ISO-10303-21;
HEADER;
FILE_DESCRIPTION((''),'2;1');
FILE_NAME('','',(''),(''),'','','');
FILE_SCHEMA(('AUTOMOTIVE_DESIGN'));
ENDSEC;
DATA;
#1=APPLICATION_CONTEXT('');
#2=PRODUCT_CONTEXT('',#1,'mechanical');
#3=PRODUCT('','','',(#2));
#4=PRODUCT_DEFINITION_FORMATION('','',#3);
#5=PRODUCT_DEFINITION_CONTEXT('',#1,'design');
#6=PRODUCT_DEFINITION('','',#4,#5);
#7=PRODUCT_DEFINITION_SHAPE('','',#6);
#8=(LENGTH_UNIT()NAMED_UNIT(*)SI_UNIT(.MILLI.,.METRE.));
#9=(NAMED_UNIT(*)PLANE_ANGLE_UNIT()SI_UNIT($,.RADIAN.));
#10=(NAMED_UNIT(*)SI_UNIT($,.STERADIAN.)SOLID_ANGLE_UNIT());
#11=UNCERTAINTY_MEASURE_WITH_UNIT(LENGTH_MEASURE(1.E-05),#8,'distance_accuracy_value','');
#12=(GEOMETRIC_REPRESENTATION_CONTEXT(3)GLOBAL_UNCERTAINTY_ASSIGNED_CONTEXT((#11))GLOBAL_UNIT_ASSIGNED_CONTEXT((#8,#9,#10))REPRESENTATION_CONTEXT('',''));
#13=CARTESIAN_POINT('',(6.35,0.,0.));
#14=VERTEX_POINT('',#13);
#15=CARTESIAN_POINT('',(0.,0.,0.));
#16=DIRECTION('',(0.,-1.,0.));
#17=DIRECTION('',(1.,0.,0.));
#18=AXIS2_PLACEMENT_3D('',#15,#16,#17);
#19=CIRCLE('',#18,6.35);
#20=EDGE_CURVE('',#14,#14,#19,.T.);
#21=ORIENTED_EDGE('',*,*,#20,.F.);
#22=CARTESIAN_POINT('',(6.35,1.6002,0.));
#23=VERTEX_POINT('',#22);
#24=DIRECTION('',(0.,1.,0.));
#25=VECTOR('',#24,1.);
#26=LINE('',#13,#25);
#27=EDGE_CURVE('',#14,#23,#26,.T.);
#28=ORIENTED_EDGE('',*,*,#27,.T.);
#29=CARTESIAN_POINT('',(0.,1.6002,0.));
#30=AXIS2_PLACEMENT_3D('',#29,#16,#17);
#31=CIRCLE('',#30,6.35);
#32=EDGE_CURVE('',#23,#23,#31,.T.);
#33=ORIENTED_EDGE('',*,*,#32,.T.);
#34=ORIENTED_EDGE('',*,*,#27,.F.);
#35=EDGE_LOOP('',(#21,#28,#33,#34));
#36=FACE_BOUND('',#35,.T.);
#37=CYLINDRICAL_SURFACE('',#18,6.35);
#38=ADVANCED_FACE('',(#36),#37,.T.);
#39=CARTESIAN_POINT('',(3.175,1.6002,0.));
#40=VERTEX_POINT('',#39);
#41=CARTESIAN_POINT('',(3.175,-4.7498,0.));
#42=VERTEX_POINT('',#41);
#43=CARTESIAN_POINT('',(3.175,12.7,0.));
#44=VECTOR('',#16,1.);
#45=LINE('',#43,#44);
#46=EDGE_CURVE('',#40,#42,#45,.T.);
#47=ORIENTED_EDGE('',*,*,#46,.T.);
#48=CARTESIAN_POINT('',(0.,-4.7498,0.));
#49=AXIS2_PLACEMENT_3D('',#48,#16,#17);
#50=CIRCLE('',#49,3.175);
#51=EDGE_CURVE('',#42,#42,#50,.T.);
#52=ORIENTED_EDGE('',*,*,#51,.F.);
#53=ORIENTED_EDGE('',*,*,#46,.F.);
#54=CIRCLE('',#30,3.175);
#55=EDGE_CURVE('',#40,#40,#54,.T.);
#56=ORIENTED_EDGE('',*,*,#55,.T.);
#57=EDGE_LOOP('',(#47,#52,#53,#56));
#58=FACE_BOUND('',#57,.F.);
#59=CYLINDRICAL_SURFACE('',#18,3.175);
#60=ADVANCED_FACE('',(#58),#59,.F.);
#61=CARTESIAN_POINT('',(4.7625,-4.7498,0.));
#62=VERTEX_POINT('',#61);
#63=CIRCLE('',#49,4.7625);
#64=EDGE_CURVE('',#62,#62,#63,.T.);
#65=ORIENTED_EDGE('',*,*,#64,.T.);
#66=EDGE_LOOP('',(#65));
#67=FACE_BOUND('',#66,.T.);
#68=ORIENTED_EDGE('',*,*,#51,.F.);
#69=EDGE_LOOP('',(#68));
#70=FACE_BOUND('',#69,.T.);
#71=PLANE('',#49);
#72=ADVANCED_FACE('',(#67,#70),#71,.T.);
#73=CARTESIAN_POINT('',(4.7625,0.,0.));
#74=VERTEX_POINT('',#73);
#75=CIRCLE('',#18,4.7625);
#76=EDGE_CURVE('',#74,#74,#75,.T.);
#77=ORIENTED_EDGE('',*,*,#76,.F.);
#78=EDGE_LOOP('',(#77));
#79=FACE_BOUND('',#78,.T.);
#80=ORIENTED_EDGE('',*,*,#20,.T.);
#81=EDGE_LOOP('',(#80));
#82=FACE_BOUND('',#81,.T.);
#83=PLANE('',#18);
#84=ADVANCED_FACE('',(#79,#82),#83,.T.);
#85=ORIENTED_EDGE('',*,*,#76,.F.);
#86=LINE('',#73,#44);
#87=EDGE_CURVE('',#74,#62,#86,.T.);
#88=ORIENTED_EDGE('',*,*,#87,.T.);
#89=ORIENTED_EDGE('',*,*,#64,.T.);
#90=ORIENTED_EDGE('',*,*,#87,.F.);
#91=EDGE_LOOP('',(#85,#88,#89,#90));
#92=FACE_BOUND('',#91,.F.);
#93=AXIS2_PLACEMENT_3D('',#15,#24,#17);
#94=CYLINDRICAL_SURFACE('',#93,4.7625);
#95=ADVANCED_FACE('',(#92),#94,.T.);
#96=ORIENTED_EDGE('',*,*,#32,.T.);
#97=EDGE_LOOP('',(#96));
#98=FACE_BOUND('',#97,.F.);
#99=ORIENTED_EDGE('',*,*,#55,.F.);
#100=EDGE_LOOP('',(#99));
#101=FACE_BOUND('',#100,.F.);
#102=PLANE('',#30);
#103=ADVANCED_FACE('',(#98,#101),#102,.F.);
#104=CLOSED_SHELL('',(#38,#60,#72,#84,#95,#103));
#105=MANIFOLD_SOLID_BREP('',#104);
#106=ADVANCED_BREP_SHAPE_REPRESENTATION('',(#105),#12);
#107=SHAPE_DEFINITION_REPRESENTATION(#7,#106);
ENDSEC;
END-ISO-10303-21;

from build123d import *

# Parameters (mm, degrees)
F0_R     = 6.35
F1_DEPTH = 1.6002
F2_R     = 4.7625
F3_DEPTH = 4.7498
F4_R     = 3.175
F5_DEPTH = 12.7


with BuildPart() as f1:
    # F0 (on Front) → F1 (new body)
    with BuildSketch(Plane.XZ):
        Circle(F0_R)
    extrude(amount=-F1_DEPTH)

    # F2 (on face) → F3 (join)
    with BuildSketch(Plane.XZ):
        Circle(F2_R)
    extrude(amount=F3_DEPTH)

    # F4 (on face) → F5 (cut, symmetric)
    with BuildSketch(Plane.XZ):
        Circle(F4_R)
    extrude(amount=F5_DEPTH, both=True, mode=Mode.SUBTRACT)


solid = f1.part
